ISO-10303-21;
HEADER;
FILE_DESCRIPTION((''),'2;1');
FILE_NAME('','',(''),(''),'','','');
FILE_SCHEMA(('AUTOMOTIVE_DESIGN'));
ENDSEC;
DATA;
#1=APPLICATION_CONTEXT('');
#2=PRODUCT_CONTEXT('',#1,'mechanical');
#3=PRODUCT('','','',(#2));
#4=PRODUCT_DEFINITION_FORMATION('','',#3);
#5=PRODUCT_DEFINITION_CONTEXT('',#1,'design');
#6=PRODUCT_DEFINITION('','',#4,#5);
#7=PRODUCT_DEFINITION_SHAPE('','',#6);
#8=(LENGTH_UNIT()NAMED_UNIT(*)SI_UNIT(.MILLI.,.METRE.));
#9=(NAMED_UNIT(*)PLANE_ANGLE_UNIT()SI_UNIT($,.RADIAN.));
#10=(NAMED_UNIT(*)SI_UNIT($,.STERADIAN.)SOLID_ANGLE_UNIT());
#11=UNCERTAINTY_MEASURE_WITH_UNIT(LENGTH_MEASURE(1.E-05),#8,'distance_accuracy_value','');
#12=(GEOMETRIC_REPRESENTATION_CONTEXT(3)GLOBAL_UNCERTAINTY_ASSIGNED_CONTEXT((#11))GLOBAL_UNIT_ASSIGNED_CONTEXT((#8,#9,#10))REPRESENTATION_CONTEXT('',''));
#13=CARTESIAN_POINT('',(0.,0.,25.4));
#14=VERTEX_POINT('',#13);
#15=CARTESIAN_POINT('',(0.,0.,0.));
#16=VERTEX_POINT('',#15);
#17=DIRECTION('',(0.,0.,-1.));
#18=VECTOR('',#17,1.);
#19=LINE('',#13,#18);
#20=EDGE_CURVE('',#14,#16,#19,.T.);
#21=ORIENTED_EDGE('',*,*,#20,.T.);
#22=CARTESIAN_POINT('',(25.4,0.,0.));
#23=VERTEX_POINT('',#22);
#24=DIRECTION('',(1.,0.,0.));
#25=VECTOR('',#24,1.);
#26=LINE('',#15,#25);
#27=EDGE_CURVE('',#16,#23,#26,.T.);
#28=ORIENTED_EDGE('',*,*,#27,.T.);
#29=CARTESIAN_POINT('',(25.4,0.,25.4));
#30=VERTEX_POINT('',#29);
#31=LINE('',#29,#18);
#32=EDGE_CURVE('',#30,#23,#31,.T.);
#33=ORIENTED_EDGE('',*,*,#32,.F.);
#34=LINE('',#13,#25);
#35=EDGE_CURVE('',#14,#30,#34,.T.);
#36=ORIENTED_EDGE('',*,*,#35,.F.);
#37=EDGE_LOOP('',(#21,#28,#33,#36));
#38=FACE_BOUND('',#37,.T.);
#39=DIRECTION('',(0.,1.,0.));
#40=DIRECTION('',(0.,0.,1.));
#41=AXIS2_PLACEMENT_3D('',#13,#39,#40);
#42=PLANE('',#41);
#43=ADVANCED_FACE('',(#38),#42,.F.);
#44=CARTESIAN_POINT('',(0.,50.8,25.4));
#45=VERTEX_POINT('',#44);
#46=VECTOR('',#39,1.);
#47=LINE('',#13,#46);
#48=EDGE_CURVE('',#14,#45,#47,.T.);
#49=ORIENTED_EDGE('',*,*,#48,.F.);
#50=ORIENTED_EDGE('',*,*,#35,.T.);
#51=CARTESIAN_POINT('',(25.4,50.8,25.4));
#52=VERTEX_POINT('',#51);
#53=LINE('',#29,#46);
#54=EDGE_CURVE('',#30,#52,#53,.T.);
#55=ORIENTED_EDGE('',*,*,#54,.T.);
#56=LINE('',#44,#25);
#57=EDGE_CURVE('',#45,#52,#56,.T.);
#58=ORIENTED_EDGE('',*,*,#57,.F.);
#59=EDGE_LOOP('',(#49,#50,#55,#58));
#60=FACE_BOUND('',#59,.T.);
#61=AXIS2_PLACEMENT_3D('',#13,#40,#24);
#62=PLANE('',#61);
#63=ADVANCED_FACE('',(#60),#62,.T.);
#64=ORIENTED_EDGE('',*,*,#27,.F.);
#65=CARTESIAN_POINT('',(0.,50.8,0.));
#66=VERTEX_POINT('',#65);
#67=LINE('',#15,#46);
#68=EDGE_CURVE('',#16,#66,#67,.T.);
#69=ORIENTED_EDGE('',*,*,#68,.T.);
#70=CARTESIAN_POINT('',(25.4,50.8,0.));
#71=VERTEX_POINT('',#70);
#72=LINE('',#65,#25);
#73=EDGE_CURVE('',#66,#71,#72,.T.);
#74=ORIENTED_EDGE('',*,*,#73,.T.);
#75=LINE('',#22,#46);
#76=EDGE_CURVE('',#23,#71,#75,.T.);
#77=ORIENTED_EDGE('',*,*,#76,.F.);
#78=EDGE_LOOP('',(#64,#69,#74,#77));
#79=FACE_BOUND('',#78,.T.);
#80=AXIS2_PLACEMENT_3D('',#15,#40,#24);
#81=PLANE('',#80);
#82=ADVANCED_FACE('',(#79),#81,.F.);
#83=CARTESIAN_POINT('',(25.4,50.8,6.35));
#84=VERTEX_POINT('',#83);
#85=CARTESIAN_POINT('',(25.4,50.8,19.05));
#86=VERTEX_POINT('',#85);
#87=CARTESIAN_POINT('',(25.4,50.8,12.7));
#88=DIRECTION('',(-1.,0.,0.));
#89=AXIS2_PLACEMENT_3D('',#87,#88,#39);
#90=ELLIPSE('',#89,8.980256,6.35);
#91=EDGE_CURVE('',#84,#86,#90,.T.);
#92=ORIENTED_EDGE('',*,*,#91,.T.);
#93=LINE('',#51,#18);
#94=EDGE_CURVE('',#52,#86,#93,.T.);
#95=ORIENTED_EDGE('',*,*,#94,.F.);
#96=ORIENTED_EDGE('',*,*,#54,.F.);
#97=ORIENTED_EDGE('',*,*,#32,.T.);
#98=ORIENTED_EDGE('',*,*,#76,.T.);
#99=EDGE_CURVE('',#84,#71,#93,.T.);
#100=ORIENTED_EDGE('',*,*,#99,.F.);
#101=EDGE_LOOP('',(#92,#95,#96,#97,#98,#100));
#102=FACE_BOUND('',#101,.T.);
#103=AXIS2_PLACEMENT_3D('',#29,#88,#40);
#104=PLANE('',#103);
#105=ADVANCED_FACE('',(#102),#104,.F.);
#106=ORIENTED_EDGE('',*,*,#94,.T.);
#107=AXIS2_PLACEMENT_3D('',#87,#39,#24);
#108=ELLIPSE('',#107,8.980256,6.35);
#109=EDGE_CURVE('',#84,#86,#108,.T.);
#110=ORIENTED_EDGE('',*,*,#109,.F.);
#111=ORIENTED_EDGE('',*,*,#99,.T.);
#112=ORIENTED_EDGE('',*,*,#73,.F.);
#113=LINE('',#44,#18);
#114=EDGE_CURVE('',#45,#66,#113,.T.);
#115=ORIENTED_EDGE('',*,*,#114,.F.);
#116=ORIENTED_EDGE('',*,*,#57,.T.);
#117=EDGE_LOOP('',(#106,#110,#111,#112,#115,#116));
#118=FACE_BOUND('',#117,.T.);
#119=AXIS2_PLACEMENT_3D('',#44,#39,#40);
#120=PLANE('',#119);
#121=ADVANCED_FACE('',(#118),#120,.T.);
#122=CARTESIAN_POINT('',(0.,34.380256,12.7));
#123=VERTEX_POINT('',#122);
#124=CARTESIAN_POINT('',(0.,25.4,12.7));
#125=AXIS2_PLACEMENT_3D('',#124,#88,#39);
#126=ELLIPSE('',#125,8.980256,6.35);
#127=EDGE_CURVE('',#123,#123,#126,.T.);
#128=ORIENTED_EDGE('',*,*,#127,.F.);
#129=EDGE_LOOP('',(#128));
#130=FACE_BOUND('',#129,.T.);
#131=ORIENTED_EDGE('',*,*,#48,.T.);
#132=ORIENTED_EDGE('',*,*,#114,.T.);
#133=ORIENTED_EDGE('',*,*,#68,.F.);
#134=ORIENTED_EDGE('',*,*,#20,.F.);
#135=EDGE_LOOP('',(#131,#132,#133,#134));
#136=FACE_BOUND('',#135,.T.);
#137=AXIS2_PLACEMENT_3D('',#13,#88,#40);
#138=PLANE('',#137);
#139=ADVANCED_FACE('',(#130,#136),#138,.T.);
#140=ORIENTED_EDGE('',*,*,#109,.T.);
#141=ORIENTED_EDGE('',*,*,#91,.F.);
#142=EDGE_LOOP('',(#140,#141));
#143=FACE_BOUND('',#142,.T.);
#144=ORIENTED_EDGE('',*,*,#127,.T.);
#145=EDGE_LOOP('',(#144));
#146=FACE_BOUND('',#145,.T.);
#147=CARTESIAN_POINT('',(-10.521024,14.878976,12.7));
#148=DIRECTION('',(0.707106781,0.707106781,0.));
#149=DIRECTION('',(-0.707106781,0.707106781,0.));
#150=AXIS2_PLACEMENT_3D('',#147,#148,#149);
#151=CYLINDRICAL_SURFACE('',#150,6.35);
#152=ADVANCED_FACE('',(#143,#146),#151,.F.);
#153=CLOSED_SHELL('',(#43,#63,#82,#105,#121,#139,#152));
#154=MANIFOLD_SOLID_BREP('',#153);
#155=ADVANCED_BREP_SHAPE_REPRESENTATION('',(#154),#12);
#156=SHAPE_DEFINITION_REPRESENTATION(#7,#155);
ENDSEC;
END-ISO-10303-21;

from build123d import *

# Parameters (mm, degrees)
SKETCH1_W           = 25.4
SKETCH1_H           = 50.8
BOSS_EXTRUDE1_DEPTH = 25.4
SKETCH2_R           = 6.35
CUT_EXTRUDE1_DEPTH  = 50.8


with BuildPart() as part:
    # Sketch1 → Boss-Extrude1 (new body)
    with BuildSketch(Plane.XY):
        with Locations((12.7, 25.4)):
            Rectangle(SKETCH1_W, SKETCH1_H)
    extrude(amount=BOSS_EXTRUDE1_DEPTH)

    # Sketch2 → Cut-Extrude1 (cut)
    with BuildSketch(Plane(origin=(38.1, 38.1, 0), x_dir=(0.7071067811865477, -0.7071067811865475, 0), z_dir=(0.7071067811865475, 0.7071067811865477, 0))):
        with Locations(Location((-17.960512242, -12.7, 0), (0, 0, 180))):
            Circle(SKETCH2_R)
    extrude(amount=-CUT_EXTRUDE1_DEPTH, mode=Mode.SUBTRACT)


solid = part.part
